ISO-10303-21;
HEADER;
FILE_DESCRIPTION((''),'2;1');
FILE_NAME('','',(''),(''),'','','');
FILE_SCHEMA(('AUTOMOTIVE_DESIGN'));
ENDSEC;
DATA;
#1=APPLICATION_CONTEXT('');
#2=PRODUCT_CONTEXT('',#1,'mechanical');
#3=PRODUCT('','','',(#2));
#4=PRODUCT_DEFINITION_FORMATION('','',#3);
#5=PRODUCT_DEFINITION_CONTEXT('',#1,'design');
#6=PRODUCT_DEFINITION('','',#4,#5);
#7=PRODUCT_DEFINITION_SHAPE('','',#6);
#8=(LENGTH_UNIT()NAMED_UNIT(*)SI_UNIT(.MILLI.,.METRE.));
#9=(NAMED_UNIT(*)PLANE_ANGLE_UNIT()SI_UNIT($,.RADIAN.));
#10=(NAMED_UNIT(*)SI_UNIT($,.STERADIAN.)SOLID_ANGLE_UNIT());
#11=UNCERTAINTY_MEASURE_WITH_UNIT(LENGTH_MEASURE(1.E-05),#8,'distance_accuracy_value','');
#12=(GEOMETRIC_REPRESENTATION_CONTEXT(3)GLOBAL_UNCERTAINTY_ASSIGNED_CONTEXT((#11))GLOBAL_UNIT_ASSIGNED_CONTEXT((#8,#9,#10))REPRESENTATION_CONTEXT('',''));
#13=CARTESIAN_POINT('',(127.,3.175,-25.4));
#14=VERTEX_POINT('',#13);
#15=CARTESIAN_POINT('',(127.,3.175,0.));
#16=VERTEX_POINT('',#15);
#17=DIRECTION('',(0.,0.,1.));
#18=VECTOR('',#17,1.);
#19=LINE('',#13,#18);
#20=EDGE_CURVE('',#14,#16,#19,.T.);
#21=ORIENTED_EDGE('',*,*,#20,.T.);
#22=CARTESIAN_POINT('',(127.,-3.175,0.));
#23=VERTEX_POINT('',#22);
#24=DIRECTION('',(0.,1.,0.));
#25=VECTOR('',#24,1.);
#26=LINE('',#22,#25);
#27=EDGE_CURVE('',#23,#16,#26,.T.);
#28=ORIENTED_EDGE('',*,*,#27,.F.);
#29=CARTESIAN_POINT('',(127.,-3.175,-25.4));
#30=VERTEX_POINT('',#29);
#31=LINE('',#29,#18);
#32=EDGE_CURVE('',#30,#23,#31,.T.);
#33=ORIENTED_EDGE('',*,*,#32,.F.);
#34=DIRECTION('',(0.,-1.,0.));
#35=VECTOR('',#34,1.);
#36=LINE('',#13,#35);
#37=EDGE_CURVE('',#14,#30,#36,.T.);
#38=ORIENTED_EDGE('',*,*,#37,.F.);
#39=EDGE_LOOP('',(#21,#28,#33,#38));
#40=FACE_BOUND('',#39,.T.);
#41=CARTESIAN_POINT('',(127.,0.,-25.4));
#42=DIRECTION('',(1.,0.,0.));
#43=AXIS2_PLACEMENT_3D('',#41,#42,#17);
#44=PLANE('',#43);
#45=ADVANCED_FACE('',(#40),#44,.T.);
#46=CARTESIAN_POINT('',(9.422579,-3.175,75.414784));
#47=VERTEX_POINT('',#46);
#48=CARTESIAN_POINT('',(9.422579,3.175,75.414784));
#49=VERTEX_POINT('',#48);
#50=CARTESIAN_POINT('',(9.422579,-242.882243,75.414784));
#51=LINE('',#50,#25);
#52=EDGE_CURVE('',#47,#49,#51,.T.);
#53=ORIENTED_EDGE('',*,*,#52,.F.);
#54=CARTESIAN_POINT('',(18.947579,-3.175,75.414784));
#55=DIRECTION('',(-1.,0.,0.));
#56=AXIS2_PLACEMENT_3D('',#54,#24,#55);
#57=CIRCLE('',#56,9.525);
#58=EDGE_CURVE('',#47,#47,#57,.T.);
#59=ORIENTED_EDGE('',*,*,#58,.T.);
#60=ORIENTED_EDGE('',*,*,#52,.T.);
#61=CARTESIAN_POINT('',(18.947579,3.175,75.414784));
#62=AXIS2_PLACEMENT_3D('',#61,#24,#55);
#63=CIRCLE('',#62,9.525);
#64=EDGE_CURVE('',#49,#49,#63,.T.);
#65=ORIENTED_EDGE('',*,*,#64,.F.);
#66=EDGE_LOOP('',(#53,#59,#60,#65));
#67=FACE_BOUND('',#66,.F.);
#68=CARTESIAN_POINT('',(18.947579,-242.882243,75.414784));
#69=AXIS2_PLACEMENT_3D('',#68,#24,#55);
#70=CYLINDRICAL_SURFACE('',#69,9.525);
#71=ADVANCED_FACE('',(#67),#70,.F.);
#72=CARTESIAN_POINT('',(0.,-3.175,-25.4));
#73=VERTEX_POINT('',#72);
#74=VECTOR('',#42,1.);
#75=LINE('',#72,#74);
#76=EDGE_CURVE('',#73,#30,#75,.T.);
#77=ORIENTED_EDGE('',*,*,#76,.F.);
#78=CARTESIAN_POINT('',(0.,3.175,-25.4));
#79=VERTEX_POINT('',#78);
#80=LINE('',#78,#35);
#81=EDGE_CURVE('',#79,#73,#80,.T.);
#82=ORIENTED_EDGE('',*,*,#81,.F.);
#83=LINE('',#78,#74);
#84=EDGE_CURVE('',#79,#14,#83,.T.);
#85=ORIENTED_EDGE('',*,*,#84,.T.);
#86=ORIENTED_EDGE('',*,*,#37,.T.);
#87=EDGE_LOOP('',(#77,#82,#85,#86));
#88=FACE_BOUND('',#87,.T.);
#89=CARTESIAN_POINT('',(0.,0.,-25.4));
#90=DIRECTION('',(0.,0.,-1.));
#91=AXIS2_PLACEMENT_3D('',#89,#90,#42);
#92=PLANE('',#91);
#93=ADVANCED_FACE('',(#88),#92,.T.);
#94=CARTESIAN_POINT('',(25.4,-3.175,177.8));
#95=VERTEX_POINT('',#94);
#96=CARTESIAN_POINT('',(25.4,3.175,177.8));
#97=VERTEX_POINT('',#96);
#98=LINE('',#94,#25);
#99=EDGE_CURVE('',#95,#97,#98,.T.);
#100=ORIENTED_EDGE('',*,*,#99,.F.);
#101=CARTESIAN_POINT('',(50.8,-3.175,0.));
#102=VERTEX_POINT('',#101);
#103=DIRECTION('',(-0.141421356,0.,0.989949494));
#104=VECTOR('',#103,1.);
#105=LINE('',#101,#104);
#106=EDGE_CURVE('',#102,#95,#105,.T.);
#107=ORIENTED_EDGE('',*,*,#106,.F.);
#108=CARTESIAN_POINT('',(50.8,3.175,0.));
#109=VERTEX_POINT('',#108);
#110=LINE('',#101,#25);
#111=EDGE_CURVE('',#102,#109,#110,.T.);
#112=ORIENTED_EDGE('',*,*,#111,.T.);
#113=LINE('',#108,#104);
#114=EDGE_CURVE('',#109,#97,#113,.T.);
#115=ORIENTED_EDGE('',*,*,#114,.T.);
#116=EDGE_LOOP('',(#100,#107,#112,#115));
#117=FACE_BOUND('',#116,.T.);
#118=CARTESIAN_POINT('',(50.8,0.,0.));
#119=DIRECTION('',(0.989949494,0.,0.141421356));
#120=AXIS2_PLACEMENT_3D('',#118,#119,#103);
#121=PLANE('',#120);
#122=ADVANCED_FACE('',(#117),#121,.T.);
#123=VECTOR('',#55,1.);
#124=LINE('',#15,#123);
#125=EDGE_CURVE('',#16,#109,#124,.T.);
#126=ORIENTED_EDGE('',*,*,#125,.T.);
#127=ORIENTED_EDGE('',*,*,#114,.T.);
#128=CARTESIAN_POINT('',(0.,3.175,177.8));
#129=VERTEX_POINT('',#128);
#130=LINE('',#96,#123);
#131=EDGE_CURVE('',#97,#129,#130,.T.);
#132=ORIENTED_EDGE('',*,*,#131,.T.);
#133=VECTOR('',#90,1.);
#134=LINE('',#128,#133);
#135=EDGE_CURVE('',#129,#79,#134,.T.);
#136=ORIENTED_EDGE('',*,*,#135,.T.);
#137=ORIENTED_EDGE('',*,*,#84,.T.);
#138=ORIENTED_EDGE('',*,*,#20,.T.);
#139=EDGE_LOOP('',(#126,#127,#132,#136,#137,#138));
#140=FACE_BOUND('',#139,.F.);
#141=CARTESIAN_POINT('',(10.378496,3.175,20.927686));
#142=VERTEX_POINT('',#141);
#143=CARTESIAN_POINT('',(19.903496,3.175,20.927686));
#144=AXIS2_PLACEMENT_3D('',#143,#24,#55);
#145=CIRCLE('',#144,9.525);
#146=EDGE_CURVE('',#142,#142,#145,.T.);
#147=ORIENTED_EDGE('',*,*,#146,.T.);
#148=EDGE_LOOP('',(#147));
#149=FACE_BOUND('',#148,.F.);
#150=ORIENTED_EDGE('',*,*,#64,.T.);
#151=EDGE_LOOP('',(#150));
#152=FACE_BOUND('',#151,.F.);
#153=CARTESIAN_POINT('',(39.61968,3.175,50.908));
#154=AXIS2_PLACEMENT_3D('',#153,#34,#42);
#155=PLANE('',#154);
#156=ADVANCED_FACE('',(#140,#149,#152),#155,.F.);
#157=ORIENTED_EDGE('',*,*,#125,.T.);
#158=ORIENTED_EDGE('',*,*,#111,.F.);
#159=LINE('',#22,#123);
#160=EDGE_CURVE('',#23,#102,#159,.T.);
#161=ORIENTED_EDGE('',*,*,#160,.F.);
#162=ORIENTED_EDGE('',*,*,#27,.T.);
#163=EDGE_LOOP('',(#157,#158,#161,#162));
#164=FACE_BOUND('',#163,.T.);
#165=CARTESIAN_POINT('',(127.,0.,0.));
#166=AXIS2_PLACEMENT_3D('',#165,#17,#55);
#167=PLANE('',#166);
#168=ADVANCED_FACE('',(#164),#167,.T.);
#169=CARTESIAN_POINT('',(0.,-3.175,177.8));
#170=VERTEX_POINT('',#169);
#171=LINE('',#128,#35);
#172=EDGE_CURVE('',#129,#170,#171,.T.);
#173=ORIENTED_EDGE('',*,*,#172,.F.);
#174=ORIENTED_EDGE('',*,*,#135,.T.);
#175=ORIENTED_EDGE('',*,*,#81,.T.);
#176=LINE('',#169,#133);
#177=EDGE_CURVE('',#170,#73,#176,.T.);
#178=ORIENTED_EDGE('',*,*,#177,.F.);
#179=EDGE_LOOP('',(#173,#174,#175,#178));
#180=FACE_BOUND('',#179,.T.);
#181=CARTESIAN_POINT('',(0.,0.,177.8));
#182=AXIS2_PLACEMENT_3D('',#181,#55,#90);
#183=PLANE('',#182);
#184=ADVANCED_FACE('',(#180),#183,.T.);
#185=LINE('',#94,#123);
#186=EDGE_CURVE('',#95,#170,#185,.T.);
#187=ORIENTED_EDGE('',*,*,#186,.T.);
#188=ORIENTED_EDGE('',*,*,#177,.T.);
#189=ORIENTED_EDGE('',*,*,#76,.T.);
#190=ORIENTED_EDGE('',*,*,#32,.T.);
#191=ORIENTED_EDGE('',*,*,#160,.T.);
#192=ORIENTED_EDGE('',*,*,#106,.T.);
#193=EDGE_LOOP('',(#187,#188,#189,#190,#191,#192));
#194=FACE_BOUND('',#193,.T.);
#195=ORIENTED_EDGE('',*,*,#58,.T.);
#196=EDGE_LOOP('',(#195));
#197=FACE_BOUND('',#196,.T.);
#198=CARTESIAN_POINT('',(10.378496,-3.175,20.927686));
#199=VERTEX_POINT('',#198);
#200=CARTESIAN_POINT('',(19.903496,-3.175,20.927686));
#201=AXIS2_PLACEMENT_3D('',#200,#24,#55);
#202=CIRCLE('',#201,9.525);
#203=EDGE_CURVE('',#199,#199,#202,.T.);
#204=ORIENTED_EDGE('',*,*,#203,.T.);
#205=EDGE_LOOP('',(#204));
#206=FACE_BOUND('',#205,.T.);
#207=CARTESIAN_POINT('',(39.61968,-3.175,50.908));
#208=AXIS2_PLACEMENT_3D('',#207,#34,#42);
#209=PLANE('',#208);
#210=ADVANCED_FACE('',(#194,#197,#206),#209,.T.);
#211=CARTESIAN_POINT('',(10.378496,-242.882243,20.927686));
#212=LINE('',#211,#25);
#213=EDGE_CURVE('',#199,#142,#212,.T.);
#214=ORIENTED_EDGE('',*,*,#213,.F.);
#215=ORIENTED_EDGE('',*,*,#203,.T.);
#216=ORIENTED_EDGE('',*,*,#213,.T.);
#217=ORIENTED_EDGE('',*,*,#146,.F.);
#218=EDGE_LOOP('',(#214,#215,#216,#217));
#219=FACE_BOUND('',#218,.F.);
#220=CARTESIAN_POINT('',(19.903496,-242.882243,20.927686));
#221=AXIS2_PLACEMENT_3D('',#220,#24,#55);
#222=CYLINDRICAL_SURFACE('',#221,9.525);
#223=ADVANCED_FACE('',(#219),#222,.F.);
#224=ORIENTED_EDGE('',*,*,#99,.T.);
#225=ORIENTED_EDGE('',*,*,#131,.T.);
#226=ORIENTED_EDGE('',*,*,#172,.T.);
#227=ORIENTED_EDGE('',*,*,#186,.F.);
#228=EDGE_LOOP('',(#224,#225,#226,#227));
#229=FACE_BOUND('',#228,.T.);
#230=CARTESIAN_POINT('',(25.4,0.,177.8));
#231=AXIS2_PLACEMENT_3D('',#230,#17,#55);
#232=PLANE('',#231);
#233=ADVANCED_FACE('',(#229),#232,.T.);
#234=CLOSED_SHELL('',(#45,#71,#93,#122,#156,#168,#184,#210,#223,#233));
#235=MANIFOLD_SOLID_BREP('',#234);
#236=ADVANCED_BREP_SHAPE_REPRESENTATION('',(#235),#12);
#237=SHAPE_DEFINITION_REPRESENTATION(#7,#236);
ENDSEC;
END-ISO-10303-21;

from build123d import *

# Parameters (mm, degrees)
F1_DEPTH = 3.175
F3_D     = 19.05


with BuildPart() as f1:
    # F0 (on Front) → F1 (new body, symmetric)
    with BuildSketch(Plane.XZ):
        Polygon((25.4, 177.8), (0, 177.8), (0, -25.4), (127, -25.4), (127, 0), (50.8, 0), align=None)
    extrude(amount=F1_DEPTH, both=True)

    # F3 (through all)
    with Locations(Plane.XZ.offset(3.175)):
        with Locations((18.947579, 75.414784), (19.903496, 20.927686)):
            Hole(F3_D / 2)


solid = f1.part
